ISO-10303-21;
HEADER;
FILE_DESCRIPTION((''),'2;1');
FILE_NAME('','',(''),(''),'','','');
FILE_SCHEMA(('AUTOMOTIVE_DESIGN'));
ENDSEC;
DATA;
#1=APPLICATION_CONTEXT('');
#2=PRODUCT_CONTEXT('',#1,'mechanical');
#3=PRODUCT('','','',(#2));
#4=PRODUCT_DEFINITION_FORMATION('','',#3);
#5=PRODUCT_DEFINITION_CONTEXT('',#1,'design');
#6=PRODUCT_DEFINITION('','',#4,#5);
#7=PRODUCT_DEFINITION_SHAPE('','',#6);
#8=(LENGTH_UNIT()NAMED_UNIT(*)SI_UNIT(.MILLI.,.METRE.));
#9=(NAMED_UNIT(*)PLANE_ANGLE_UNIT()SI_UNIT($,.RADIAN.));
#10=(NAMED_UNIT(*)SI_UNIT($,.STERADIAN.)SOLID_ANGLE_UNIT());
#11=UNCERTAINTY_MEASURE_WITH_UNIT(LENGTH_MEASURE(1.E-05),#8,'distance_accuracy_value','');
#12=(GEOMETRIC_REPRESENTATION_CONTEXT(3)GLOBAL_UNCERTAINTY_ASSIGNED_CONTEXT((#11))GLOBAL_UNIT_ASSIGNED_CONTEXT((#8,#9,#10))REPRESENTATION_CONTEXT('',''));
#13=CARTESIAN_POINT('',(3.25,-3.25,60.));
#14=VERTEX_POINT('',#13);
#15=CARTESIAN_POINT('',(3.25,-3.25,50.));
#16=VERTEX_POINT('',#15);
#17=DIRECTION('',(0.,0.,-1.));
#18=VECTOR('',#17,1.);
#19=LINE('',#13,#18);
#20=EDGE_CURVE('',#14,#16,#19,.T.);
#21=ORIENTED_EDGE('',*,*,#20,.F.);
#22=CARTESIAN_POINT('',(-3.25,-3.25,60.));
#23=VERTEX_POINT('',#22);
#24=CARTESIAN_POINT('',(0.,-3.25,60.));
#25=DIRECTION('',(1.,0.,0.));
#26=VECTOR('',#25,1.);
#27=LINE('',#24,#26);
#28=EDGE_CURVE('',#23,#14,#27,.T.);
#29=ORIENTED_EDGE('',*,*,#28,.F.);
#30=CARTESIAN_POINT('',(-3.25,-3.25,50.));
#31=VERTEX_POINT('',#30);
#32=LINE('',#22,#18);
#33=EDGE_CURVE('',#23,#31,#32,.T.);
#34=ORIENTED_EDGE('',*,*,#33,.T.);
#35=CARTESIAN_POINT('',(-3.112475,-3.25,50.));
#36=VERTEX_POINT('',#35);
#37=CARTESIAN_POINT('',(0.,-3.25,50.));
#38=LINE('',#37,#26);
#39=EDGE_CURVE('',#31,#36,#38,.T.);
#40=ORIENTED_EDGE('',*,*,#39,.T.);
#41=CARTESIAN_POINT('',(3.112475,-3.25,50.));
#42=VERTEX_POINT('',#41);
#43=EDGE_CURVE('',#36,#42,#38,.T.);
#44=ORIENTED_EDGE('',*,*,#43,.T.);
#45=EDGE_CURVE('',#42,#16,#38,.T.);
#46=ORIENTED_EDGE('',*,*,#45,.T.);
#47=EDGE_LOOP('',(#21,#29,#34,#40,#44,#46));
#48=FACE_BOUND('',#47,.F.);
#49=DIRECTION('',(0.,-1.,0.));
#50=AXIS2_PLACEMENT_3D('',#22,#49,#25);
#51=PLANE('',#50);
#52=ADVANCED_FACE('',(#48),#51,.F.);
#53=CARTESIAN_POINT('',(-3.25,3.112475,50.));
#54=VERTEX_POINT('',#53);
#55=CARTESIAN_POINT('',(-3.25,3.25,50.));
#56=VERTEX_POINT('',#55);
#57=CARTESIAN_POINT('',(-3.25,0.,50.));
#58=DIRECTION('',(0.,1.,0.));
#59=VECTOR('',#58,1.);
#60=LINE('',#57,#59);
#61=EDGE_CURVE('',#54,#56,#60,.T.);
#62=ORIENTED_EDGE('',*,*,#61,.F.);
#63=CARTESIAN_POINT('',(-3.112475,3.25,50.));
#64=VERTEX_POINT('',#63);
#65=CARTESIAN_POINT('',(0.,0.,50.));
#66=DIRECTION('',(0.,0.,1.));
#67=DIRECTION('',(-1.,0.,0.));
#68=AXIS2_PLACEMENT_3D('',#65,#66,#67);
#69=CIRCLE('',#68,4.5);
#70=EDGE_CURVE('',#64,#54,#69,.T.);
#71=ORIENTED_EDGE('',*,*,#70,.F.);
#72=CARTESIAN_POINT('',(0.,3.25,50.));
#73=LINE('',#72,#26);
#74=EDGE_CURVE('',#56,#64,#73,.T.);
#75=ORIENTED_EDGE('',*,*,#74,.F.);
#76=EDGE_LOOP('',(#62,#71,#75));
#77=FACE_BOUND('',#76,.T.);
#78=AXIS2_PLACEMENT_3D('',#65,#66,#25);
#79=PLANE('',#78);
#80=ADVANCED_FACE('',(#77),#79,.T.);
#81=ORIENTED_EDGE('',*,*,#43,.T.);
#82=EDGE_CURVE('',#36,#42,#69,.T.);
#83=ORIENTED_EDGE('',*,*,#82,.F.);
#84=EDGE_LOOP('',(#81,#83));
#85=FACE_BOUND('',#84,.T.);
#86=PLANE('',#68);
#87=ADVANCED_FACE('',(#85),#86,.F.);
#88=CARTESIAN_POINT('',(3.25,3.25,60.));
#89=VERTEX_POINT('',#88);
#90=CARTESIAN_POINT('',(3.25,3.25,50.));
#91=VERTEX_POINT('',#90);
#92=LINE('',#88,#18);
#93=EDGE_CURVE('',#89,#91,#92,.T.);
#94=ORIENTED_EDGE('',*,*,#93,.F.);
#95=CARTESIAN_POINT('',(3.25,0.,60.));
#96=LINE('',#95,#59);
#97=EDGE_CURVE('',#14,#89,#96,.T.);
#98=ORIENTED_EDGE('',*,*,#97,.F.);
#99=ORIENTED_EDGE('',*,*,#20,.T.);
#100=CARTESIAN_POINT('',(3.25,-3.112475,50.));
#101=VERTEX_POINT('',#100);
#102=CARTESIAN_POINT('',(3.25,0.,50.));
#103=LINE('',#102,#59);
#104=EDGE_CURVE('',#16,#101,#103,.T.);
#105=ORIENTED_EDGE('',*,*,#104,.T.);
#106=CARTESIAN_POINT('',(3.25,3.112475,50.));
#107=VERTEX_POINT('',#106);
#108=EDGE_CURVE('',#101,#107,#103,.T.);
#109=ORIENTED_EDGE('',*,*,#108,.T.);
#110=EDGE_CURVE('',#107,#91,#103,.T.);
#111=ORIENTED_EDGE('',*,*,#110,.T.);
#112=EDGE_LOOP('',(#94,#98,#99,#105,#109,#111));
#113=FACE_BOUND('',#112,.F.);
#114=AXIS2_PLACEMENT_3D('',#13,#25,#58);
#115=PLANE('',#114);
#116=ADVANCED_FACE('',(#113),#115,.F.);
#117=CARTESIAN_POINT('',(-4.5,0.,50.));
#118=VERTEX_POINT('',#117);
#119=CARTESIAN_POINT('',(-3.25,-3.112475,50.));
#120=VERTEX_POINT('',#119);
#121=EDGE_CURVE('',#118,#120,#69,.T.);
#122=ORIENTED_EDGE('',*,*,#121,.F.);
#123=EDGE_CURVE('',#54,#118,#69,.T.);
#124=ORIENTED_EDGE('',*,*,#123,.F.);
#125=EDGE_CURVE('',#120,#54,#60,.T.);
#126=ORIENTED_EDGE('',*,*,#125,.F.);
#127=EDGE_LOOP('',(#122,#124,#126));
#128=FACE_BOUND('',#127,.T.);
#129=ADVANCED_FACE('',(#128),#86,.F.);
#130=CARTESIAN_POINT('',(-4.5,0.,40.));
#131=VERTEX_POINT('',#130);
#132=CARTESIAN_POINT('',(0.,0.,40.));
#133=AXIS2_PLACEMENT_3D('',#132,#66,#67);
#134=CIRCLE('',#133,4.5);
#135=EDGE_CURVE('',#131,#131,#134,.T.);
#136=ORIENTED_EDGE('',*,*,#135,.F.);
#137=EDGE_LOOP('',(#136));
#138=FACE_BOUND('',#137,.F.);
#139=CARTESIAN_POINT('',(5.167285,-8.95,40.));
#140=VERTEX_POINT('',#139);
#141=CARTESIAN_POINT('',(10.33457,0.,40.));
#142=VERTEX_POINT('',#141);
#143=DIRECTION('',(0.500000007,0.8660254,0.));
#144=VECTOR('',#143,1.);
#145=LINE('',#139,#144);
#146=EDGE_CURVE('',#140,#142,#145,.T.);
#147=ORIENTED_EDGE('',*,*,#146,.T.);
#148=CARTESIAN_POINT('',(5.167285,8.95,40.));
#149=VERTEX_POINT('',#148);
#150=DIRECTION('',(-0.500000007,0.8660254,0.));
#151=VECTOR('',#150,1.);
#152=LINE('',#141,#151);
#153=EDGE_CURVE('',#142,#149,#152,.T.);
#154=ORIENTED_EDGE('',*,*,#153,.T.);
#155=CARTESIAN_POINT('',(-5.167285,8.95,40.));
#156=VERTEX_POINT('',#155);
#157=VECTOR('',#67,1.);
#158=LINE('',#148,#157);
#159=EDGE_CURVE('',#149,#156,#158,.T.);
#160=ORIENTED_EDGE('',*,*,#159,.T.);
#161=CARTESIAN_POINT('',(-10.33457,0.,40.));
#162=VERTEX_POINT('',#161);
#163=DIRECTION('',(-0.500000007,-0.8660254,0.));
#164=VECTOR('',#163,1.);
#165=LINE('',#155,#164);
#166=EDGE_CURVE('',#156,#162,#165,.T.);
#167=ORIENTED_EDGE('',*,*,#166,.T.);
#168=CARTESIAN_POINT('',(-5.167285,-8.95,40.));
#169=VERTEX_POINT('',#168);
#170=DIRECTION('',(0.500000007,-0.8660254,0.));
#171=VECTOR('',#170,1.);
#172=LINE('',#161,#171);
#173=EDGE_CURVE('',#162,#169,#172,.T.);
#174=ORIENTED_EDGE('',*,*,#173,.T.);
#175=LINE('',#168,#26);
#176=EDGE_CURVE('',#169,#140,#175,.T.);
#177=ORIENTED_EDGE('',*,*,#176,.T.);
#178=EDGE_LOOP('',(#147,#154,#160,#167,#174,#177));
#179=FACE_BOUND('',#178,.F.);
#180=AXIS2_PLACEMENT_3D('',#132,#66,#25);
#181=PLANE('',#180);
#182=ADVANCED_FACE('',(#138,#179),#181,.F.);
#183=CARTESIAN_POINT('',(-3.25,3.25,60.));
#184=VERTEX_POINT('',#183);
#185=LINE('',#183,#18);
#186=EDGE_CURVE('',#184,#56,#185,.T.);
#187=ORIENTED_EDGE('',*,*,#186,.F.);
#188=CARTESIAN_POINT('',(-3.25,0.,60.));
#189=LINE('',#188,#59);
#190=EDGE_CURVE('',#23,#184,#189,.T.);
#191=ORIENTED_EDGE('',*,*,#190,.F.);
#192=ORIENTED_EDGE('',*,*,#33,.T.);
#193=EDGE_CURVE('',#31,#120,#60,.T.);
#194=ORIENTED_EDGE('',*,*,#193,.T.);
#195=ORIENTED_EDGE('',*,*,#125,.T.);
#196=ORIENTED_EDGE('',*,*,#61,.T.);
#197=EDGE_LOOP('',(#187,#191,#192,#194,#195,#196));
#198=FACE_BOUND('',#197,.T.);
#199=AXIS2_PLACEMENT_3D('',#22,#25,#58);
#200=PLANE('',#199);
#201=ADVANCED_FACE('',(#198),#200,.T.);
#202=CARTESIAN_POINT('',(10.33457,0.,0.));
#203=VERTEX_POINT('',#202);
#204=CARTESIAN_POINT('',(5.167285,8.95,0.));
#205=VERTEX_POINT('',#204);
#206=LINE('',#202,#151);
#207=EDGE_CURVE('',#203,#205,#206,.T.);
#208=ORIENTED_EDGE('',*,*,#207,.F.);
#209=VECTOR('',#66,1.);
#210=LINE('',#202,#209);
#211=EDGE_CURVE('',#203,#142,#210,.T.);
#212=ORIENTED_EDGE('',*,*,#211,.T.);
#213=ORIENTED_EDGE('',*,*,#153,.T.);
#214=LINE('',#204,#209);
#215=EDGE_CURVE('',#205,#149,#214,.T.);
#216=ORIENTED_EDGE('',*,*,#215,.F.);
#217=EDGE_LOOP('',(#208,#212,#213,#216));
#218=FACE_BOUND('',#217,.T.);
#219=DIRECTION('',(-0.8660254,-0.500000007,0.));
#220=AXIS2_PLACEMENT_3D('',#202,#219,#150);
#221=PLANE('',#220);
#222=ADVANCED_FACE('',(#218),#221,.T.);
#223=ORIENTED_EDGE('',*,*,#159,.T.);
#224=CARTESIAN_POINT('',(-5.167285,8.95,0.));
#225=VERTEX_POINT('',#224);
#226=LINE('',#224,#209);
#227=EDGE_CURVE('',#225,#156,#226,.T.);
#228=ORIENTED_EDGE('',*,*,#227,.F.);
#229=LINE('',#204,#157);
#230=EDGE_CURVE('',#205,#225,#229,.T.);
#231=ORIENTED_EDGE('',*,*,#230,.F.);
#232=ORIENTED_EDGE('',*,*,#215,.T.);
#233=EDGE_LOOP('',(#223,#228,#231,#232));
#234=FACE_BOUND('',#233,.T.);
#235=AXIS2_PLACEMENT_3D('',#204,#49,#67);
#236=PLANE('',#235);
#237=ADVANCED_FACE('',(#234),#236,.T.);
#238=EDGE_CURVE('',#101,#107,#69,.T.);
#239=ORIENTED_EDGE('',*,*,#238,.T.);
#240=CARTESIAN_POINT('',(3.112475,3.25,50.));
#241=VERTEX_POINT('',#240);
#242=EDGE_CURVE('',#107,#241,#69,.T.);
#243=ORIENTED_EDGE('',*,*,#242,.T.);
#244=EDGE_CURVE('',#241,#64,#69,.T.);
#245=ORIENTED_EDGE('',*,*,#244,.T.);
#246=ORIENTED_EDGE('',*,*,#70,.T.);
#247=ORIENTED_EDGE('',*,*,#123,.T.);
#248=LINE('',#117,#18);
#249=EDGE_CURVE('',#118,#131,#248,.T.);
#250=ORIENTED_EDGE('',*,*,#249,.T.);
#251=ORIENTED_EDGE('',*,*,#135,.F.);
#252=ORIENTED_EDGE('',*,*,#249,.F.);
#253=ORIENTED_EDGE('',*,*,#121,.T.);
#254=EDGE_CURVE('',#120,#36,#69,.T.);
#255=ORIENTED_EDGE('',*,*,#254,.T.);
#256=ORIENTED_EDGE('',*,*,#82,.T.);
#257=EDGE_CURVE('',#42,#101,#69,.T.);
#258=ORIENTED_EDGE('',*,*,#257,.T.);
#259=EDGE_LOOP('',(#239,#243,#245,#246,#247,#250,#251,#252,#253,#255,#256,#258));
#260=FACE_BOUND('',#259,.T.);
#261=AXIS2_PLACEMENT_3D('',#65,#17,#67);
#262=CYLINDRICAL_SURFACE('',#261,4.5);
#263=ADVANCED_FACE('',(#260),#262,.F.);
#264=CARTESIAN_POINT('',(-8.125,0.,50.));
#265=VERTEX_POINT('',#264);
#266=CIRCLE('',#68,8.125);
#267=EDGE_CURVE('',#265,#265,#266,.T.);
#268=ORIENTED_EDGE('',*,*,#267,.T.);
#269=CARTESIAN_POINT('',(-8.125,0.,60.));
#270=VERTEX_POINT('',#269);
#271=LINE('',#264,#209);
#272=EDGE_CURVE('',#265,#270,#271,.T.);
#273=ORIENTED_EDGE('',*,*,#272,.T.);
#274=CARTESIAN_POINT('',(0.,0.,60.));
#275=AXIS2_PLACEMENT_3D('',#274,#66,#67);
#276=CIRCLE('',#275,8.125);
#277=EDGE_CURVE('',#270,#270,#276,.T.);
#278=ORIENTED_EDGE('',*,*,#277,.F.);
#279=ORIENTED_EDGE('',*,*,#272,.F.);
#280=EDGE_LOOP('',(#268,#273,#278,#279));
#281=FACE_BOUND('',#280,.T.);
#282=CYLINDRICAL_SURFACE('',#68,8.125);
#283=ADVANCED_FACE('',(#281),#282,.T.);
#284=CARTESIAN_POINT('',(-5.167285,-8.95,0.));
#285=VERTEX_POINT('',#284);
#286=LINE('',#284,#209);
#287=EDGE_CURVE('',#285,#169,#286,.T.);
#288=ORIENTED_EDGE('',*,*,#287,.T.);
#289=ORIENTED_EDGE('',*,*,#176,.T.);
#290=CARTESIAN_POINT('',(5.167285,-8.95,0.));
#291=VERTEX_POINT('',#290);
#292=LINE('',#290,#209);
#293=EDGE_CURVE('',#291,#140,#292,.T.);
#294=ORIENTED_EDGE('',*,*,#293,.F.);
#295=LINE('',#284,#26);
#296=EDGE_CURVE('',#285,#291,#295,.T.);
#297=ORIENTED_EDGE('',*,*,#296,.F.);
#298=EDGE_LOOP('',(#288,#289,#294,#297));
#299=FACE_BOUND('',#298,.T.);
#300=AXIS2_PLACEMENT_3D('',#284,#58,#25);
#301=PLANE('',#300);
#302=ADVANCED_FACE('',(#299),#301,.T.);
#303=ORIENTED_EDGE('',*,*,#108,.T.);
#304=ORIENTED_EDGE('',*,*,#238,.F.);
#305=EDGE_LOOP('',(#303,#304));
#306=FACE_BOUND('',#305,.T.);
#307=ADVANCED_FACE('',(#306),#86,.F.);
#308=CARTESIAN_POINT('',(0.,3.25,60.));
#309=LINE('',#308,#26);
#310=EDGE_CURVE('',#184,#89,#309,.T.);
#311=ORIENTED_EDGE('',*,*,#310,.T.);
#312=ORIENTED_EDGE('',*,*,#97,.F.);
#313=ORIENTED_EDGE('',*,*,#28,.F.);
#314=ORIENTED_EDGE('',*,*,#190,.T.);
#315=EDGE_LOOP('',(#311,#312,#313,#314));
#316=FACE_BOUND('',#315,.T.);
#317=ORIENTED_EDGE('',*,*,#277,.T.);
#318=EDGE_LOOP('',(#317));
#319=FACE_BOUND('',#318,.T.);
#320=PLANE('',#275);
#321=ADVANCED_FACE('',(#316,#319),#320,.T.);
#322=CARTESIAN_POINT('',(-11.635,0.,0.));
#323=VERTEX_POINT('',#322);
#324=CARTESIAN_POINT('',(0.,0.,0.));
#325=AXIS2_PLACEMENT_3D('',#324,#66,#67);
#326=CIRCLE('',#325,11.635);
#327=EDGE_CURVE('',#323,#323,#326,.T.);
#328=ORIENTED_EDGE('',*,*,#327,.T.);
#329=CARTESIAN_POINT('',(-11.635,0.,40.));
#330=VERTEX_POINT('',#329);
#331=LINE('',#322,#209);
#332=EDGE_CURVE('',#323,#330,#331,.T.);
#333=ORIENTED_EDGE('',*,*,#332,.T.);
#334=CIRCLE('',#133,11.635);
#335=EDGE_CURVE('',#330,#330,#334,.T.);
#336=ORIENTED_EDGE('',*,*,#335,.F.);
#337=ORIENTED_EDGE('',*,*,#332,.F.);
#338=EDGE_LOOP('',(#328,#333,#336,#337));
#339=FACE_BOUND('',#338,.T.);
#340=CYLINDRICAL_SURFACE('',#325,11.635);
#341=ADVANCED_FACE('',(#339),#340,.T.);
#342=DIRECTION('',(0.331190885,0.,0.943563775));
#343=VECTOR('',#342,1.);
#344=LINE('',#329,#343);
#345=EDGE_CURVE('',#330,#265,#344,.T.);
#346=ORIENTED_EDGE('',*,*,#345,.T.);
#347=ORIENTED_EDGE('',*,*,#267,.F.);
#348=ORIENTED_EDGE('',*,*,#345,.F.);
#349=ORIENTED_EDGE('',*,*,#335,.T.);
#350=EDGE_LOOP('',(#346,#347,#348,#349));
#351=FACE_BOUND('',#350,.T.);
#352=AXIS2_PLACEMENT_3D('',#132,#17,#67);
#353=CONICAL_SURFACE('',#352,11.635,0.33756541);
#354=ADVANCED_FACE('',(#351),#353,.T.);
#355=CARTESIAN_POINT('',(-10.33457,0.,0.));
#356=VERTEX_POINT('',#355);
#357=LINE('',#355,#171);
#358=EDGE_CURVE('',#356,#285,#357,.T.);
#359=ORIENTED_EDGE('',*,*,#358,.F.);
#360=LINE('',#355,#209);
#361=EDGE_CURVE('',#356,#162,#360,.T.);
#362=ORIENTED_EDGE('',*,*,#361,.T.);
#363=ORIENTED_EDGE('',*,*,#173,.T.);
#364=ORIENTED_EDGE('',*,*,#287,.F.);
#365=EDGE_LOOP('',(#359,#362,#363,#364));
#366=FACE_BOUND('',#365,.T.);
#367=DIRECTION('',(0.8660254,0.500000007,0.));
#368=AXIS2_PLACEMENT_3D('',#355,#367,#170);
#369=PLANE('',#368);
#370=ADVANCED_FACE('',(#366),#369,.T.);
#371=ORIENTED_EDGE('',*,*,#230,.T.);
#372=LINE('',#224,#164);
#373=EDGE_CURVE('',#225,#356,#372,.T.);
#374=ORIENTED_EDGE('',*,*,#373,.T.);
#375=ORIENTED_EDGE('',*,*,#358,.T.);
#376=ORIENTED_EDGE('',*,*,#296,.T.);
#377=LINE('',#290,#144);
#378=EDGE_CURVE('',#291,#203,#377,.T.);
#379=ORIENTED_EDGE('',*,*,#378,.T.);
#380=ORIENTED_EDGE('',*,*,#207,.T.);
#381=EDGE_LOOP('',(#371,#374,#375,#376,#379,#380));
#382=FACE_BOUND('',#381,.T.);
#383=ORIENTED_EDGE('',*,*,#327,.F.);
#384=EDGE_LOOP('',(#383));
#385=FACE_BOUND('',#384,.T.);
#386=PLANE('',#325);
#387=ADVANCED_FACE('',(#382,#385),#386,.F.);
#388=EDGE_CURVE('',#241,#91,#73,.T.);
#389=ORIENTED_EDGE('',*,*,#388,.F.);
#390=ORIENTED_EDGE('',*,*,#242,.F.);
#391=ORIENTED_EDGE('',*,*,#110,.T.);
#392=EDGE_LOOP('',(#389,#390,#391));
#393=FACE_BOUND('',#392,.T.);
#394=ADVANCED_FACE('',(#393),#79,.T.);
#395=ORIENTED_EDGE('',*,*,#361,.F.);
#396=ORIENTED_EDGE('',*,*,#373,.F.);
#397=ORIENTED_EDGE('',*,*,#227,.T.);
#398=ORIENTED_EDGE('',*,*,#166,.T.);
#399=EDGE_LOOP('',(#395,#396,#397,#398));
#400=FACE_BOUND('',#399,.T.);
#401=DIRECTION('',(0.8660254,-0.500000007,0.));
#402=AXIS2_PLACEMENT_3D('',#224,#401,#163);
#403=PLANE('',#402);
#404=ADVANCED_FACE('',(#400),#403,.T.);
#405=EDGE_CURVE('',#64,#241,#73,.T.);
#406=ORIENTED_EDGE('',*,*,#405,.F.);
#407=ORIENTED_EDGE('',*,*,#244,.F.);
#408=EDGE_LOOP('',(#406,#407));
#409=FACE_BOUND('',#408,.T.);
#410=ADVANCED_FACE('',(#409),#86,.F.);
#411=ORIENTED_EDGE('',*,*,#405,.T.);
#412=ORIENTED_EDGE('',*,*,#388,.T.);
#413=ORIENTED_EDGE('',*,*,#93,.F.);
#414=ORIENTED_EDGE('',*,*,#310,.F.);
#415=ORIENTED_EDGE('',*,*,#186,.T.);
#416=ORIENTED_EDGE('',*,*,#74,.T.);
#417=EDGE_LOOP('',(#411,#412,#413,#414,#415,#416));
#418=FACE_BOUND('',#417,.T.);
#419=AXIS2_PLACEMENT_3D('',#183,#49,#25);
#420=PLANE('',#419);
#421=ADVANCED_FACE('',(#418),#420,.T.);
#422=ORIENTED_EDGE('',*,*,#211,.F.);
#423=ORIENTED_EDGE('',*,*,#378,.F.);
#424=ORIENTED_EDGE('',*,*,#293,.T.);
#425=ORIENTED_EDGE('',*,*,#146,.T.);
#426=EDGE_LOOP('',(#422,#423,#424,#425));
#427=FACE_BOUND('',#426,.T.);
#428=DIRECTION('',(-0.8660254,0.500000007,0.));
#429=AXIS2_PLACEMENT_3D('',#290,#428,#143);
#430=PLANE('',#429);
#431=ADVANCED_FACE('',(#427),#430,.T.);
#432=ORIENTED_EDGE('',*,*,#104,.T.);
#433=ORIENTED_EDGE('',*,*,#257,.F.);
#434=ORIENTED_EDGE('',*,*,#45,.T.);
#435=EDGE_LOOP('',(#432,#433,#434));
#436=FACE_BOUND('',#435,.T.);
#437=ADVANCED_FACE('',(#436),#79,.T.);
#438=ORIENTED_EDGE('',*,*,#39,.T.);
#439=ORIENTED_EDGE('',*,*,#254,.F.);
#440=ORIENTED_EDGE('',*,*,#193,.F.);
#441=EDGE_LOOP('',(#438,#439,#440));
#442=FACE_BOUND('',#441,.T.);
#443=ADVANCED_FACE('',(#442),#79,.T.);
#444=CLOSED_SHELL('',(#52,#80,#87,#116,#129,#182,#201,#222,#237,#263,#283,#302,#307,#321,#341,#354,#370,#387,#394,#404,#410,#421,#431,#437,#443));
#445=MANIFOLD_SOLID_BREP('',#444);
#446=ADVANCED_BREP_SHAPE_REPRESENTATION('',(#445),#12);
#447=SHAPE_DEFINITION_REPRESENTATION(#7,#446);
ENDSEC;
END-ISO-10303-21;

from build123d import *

# Parameters (mm, degrees)
SKETCH001_W     = 6.5
SKETCH001_H     = 6.5
POCKET_DEPTH    = 10
POCKET001_DEPTH = 40


with BuildPart() as part:
    # Sketch → Revolution (revolve)
    with BuildSketch(Plane.XZ):
        Polygon((0, 0), (-11.635, 0), (-11.635, 40), (-8.125, 50), (-8.125, 60), (0, 60), (0, 50), (-4.5, 50), (-4.5, 40), (0, 40), align=None)
    revolve(axis=Axis((0, 0, 0), (0, 0, 1)))

    # Sketch001 (on DatumPlane) → Pocket (cut)
    with BuildSketch(Plane.XY.offset(60)):
        Rectangle(SKETCH001_W, SKETCH001_H)
    extrude(amount=-POCKET_DEPTH, mode=Mode.SUBTRACT)

    # Sketch002 → Pocket001 (cut)
    with BuildSketch(Plane.XY):
        Polygon((10.33457, 0), (5.167285, 8.95), (-5.167285, 8.95), (-10.33457, 0), (-5.167285, -8.95), (5.167285, -8.95), align=None)
    extrude(amount=POCKET001_DEPTH, mode=Mode.SUBTRACT)


solid = part.part
